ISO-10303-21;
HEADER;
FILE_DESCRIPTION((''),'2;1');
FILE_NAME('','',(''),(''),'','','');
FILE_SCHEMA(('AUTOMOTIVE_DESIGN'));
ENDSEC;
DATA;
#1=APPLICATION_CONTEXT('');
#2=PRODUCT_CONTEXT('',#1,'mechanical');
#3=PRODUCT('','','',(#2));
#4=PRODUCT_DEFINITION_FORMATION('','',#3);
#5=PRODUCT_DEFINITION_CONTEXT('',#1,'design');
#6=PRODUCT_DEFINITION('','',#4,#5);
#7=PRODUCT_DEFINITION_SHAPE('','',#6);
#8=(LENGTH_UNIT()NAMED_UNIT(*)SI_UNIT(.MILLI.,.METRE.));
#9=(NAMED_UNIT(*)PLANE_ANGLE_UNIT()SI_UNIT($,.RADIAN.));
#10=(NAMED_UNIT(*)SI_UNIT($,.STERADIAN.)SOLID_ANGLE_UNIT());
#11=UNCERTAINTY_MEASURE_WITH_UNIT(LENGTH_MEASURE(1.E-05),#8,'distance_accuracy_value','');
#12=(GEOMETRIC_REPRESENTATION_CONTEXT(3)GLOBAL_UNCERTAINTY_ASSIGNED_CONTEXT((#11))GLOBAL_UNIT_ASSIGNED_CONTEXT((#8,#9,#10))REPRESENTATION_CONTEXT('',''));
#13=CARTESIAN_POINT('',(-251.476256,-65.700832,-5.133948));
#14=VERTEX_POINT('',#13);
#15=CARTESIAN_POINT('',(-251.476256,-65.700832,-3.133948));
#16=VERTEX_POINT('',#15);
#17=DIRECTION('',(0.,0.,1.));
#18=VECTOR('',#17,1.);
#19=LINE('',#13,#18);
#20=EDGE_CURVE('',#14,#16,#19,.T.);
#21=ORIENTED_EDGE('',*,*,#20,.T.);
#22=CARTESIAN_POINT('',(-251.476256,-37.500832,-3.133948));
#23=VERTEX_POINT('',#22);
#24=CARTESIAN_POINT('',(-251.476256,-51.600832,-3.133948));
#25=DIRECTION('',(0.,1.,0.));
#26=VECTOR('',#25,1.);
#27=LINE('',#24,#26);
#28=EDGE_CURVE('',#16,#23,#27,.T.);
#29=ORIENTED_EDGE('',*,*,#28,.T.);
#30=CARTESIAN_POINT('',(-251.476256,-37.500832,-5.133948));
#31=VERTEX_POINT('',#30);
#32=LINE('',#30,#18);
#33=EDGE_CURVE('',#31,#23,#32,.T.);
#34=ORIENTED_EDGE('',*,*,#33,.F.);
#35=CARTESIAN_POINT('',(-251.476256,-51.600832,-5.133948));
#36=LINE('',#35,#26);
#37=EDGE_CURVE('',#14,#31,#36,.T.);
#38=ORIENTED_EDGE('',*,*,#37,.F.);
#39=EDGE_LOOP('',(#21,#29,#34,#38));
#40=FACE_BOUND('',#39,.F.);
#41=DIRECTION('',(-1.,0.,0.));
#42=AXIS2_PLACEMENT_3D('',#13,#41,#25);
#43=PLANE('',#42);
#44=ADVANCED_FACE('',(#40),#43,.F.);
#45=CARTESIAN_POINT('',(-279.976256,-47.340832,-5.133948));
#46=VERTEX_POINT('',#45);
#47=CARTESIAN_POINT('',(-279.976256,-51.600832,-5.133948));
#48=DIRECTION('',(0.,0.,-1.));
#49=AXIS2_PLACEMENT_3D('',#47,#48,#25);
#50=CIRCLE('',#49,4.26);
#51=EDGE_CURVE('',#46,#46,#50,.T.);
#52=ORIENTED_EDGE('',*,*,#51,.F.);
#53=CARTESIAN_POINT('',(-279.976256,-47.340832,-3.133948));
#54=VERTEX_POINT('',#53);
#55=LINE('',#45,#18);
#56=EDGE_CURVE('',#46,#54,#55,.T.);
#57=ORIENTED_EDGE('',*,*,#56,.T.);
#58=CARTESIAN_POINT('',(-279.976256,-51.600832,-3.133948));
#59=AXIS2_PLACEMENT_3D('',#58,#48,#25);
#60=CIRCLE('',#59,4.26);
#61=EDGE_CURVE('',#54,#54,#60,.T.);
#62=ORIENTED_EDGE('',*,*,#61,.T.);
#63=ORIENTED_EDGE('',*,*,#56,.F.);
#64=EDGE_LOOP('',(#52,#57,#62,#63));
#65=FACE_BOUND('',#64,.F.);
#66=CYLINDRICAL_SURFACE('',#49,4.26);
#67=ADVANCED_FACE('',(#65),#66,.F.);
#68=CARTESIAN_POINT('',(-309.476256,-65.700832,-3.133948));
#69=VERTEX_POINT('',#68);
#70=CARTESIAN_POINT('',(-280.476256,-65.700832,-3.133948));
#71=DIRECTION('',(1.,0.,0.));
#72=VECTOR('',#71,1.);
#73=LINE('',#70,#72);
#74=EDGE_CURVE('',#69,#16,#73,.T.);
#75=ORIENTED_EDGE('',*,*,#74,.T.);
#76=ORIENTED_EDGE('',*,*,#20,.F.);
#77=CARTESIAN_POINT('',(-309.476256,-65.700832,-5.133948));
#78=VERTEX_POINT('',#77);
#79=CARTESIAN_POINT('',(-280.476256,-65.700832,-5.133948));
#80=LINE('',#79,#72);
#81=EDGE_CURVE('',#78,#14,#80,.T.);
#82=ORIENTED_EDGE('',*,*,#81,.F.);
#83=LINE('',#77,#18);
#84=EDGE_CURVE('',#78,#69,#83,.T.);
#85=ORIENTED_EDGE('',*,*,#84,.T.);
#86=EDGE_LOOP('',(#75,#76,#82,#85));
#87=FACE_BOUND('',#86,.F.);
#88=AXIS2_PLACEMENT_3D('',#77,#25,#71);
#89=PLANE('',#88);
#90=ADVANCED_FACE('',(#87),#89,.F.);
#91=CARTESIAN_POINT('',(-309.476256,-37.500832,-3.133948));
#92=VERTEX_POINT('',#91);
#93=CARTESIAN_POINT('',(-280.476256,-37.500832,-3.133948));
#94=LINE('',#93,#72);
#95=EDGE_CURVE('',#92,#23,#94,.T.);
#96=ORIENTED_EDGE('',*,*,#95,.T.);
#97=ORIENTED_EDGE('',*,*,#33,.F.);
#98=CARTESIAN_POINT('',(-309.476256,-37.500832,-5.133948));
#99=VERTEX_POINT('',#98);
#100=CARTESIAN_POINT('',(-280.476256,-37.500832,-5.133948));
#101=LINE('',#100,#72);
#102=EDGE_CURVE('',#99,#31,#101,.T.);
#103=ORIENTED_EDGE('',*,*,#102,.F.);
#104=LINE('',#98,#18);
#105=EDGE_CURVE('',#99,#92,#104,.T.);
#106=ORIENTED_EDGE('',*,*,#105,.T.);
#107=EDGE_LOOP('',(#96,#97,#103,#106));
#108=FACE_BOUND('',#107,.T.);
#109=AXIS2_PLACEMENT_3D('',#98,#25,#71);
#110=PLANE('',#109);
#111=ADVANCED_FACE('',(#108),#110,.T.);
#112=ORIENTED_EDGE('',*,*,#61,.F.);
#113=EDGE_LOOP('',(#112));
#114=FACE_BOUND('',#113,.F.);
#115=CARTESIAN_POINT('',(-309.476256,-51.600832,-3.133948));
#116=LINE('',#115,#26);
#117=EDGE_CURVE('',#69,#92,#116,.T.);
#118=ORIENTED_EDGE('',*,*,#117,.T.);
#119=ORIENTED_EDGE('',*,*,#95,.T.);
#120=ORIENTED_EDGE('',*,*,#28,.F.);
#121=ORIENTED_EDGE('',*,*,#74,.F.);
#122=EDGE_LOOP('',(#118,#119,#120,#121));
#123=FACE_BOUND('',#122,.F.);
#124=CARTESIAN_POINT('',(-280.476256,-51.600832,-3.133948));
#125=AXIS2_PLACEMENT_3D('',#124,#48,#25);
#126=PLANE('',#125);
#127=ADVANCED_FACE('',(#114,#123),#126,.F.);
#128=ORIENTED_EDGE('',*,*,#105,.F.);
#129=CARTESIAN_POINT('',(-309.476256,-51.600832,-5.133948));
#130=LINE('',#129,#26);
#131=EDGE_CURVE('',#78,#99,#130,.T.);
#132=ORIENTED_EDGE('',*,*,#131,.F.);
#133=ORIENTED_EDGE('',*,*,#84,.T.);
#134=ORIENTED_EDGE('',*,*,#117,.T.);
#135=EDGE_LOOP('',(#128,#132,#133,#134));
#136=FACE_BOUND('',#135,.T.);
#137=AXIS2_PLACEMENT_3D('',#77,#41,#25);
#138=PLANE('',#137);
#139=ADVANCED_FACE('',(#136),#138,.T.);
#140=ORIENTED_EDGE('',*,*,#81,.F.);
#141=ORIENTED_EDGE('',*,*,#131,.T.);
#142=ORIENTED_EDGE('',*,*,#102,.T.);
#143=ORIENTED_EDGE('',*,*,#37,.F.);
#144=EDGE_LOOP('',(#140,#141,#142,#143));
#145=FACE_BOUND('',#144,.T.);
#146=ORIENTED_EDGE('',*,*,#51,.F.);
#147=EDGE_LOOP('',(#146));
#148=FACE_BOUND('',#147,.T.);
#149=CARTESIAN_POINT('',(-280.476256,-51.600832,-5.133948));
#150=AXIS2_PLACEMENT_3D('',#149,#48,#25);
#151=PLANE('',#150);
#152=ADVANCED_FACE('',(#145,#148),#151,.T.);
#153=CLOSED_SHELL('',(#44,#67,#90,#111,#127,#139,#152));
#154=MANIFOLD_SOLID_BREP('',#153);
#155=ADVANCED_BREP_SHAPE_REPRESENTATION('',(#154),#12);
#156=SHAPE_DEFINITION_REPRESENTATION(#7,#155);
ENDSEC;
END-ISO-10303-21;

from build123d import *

# Parameters (mm, degrees)
CIRCLE_R           = 4.26
EXTRUSION001_DEPTH = 34.920666
RECTANGLE_W        = 28.2
RECTANGLE_H        = 58
EXTRUSION_DEPTH    = 2


with BuildPart() as extrusion001:
    # Circle → Extrusion001 (new body)
    with BuildSketch(Plane(origin=(-279.976256, -51.600832, -5.133948), x_dir=(0, 1, 0), z_dir=(0, 0, -1))):
        Circle(CIRCLE_R)
    extrude(amount=-EXTRUSION001_DEPTH)


with BuildPart() as cut001:
    # Rectangle → Extrusion (new body)
    with BuildSketch(Plane(origin=(-309.476256, -65.700832, -5.133948), x_dir=(0, 1, 0), z_dir=(0, 0, -1))):
        with Locations((14.1, 29)):
            Rectangle(RECTANGLE_W, RECTANGLE_H)
    extrude(amount=-EXTRUSION_DEPTH)

    # Cut001: cut Extrusion001
    add(extrusion001.part, mode=Mode.SUBTRACT)


solid = cut001.part
